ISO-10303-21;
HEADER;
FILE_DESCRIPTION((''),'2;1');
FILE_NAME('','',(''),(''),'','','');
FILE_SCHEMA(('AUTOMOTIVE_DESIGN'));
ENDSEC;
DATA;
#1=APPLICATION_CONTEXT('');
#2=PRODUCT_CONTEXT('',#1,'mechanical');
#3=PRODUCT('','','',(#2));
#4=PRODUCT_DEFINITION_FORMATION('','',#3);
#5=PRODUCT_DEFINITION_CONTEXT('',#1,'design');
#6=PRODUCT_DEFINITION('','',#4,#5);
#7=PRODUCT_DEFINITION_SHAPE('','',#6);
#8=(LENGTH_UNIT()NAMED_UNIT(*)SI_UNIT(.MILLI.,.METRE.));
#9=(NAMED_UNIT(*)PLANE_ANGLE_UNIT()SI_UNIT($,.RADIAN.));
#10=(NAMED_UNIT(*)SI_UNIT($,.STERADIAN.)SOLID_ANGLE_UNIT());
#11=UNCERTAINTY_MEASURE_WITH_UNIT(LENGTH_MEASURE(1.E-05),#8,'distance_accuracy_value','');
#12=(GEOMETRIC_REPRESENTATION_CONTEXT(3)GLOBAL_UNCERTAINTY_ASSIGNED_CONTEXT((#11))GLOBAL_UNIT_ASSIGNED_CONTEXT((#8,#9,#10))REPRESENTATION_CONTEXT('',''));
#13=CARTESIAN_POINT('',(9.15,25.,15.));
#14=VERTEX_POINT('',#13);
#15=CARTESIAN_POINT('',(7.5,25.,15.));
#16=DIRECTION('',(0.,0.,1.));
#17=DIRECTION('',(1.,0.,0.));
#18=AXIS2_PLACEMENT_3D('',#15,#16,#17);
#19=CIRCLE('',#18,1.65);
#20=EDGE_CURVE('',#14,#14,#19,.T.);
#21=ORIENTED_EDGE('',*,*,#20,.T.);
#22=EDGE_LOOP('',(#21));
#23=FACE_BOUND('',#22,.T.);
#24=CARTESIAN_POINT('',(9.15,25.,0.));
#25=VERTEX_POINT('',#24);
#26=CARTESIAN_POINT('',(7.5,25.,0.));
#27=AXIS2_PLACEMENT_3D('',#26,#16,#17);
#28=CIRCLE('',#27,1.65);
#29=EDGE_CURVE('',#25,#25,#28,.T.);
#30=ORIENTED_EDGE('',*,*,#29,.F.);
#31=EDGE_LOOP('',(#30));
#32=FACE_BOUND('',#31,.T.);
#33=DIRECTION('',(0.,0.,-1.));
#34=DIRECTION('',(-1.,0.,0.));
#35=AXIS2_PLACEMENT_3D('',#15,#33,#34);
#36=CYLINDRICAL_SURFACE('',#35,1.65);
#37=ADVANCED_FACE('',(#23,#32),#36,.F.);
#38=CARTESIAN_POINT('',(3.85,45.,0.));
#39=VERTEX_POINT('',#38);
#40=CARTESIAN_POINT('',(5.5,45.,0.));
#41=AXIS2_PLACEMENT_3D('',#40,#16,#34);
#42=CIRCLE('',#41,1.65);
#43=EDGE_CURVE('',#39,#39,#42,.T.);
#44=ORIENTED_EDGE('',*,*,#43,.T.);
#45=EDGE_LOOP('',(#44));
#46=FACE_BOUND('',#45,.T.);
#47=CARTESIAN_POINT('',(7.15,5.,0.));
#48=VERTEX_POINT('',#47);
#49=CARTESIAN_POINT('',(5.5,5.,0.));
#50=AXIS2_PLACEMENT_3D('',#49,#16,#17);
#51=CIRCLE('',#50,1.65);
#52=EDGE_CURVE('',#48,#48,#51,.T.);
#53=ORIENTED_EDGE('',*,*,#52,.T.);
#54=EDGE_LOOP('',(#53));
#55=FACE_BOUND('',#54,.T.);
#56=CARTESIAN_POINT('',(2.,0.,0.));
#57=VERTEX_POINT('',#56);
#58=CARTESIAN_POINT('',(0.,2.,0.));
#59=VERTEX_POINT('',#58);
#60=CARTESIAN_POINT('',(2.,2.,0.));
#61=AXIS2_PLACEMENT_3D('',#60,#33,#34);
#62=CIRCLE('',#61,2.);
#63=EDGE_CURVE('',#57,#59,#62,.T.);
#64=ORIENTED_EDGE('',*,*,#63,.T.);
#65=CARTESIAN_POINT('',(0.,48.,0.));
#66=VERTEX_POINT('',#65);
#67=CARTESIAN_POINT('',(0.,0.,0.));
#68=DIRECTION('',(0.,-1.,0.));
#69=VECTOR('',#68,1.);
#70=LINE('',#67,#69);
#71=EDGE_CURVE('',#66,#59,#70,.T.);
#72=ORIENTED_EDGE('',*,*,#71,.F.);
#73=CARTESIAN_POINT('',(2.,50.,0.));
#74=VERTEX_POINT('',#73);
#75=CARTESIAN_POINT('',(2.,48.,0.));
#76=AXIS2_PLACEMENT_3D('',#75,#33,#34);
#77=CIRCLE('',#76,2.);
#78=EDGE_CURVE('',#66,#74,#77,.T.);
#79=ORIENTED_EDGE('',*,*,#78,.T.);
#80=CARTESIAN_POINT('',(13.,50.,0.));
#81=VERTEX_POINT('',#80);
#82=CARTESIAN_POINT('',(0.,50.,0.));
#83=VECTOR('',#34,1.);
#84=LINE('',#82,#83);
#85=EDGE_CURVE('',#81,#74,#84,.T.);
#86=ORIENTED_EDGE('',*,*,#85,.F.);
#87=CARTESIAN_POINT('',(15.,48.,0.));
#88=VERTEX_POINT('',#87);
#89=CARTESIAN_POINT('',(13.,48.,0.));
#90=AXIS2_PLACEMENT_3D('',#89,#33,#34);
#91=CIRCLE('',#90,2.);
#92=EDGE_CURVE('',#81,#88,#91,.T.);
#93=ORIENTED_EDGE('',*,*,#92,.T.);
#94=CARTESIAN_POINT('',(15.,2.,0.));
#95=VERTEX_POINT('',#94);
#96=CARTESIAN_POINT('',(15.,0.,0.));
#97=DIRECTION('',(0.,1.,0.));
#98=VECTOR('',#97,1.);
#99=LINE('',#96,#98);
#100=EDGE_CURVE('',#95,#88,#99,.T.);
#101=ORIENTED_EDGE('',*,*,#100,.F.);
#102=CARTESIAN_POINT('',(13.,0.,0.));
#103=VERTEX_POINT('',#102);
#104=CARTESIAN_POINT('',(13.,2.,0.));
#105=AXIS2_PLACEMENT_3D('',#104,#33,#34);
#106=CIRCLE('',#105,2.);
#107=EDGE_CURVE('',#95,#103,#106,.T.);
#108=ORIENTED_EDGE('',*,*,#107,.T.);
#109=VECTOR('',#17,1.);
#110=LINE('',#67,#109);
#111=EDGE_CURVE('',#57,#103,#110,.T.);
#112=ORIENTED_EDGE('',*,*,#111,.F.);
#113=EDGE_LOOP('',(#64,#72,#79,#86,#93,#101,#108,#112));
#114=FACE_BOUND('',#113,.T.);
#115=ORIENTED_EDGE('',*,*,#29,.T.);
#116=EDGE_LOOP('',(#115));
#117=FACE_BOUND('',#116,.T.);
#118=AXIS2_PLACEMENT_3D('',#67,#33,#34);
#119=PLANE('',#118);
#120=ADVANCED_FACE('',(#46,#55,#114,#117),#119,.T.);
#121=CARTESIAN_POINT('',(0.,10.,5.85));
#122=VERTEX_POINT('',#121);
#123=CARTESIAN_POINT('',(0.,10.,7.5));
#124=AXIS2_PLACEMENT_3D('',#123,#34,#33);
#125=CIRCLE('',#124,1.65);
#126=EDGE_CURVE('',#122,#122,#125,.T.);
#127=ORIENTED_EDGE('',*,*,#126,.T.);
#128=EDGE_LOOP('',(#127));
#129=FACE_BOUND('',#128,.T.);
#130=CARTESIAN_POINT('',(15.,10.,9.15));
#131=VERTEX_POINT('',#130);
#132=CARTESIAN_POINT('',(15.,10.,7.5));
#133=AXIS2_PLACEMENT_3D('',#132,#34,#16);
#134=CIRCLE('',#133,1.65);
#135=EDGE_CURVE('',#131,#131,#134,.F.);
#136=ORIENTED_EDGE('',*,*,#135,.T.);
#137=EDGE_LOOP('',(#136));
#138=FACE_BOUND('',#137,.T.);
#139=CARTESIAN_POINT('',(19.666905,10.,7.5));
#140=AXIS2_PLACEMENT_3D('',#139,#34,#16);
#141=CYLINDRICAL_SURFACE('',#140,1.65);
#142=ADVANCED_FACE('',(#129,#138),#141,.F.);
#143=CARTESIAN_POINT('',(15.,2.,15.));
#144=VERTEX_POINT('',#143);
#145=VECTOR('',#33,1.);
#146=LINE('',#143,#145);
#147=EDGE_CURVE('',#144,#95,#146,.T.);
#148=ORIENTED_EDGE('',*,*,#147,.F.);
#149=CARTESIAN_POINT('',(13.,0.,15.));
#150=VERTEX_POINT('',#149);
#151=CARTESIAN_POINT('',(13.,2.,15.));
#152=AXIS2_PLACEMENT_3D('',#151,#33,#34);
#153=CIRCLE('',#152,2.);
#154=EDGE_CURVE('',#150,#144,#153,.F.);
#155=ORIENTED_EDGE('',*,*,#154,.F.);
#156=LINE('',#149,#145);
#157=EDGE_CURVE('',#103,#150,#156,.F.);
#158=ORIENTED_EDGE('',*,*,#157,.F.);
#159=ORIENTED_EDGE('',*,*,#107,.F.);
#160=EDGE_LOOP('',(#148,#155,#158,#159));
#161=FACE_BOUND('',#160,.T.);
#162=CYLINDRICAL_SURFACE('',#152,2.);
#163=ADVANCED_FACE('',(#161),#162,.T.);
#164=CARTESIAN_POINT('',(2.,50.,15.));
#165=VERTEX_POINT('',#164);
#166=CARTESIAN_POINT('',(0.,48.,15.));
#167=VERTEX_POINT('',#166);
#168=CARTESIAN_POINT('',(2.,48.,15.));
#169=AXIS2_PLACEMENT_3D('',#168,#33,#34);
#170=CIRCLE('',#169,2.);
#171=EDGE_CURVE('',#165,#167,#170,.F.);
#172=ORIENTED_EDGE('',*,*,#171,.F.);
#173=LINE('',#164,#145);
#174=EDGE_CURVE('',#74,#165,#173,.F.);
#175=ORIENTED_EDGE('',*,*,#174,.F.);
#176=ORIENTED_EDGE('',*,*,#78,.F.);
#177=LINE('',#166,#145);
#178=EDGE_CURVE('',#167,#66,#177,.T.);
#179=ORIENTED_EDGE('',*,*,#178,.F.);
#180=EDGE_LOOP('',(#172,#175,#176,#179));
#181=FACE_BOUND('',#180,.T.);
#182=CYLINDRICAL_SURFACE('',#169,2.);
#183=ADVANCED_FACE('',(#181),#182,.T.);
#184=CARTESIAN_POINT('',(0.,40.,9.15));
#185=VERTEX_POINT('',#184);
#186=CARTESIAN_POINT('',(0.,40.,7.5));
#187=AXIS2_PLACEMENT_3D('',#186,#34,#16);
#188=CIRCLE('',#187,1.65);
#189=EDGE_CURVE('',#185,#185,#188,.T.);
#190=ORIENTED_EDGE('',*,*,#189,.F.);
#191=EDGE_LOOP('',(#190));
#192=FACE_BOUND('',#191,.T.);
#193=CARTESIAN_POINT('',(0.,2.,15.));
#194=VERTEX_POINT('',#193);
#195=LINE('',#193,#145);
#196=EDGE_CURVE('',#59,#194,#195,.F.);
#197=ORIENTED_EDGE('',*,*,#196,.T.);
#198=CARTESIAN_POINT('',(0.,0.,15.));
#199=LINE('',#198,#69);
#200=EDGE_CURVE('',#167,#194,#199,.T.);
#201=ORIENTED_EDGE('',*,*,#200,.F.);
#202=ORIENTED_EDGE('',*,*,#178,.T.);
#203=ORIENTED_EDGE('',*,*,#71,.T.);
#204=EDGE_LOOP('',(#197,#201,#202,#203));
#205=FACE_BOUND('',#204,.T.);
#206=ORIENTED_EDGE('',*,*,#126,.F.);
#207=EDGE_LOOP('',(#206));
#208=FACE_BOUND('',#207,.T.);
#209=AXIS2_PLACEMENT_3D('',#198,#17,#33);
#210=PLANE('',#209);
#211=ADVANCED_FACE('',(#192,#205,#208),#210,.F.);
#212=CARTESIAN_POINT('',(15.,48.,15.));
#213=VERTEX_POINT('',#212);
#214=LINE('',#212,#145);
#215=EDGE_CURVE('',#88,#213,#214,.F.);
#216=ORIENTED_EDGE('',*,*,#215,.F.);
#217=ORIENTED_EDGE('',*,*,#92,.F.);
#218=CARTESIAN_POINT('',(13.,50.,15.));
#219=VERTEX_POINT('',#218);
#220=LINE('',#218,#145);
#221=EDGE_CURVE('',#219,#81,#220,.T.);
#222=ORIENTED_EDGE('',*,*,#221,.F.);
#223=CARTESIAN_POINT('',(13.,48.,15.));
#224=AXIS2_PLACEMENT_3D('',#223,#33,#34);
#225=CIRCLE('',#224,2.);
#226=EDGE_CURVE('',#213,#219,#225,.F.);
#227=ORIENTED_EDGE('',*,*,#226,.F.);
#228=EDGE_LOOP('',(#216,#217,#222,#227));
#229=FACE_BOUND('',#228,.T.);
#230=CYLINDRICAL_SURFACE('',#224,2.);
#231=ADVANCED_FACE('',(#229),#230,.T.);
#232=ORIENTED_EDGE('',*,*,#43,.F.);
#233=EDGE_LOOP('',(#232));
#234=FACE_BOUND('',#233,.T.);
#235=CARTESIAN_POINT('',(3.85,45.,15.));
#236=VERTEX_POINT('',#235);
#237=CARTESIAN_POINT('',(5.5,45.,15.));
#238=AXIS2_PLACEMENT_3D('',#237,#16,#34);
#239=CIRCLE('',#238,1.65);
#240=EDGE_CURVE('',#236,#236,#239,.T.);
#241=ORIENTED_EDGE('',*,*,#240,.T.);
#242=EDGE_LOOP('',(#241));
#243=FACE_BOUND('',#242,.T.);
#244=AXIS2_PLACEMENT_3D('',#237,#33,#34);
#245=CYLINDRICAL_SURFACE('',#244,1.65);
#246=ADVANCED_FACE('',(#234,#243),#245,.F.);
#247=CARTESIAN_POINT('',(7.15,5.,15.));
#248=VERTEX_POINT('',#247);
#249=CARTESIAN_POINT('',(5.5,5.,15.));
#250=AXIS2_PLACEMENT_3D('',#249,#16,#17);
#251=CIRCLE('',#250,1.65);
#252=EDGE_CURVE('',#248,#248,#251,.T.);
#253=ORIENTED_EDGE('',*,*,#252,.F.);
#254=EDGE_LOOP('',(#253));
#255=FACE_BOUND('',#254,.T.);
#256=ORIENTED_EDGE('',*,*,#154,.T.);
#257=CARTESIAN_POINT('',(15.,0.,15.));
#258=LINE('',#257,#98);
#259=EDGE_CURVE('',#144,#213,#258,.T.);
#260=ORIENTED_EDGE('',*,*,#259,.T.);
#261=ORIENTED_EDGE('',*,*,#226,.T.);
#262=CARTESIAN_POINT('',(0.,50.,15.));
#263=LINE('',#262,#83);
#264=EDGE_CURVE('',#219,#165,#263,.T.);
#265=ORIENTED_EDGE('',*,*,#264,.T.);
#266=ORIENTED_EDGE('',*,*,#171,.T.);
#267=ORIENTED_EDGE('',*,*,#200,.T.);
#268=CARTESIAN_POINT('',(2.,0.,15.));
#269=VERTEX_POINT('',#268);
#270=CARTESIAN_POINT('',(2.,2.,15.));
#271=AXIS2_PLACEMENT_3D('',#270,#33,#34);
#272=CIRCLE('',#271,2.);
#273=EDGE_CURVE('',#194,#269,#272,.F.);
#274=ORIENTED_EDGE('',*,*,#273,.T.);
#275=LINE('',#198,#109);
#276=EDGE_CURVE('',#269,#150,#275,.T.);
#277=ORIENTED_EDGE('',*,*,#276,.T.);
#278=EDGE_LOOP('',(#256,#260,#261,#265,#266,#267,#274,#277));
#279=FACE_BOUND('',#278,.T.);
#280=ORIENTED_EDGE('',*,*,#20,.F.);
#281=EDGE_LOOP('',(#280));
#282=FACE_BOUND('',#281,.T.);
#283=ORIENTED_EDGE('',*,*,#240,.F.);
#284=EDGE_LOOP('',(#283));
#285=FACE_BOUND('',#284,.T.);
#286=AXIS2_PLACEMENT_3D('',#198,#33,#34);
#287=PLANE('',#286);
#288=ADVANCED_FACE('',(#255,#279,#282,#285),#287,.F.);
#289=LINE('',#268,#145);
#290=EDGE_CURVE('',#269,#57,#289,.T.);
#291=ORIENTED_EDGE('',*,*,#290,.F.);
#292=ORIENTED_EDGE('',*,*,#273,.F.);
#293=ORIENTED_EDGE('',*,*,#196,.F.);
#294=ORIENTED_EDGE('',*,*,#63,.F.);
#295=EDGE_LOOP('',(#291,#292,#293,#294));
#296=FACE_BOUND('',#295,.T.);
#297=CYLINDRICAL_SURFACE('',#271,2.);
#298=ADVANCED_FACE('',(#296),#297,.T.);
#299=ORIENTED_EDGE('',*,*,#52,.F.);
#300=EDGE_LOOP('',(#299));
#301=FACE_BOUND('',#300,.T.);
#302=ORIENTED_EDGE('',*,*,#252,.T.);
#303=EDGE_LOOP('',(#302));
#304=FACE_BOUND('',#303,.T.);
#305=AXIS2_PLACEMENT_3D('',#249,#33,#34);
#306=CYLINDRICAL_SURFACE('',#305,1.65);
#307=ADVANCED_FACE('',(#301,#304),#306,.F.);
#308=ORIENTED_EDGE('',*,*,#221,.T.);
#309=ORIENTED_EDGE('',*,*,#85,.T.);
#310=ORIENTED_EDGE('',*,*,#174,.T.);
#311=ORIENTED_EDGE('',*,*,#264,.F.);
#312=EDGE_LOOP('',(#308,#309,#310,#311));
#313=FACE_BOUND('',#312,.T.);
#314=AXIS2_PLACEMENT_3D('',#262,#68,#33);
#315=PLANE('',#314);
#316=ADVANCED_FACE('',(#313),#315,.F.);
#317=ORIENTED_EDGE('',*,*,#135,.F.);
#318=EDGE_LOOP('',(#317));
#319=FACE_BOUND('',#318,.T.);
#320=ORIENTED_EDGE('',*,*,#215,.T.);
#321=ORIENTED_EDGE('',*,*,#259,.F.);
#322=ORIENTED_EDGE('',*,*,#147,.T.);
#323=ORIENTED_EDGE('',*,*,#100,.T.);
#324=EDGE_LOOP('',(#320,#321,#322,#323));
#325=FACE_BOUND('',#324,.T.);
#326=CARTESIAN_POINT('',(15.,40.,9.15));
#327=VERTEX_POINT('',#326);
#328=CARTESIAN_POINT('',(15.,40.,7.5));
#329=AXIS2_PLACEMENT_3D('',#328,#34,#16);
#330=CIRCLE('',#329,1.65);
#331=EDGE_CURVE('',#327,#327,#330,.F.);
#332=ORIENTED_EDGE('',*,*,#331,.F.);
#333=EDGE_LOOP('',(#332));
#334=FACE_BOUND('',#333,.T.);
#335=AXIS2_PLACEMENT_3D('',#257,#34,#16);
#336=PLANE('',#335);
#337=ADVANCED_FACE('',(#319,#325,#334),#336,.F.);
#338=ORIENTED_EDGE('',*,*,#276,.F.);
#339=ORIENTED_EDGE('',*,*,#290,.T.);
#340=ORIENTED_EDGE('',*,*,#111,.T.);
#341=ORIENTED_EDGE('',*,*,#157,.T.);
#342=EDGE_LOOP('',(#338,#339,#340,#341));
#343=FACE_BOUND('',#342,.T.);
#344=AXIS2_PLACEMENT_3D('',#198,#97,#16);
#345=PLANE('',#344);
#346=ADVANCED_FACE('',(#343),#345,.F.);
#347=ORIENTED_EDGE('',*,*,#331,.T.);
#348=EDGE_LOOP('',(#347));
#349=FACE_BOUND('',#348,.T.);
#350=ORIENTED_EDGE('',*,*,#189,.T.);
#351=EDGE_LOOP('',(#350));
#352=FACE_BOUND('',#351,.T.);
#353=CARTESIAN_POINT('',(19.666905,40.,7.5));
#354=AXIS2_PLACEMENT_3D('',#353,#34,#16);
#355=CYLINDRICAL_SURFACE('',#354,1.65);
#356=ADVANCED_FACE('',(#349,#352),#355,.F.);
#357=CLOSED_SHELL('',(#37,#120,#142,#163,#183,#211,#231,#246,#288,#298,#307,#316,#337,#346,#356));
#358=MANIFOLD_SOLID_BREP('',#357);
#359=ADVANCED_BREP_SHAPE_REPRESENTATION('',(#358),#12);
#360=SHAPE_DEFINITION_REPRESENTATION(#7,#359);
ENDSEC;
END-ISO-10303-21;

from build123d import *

# Parameters (mm, degrees)
SKETCH_1_W          = 15
SKETCH_1_H          = 50
SKETCH_1_R          = 1.65
EXTRUDE_1_DEPTH     = 15
SKETCH_2_R          = 1.65
CUT_EXTRUDE_1_DEPTH = 15
FILLET_1_R          = 2


with BuildPart() as part:
    # ｽｹｯﾁ1 → ﾎﾞｽ - 押し出し1 (new body)
    with BuildSketch(Plane.XY):
        with Locations((7.5, 25)):
            Rectangle(SKETCH_1_W, SKETCH_1_H)
        with Locations((5.5, 5)):
            Circle(SKETCH_1_R, mode=Mode.SUBTRACT)
        with Locations(Location((5.5, 45, 0), (0, 0, 180))):
            Circle(SKETCH_1_R, mode=Mode.SUBTRACT)
        with Locations((7.5, 25)):
            Circle(SKETCH_1_R, mode=Mode.SUBTRACT)
    extrude(amount=EXTRUDE_1_DEPTH)

    # ｽｹｯﾁ2 → ｶｯﾄ - 押し出し1 (cut)
    with BuildSketch(Plane.ZY):
        with Locations((7.5, 40)):
            Circle(SKETCH_2_R)
        with Locations((7.5, 10)):
            Circle(SKETCH_2_R)
    extrude(amount=-CUT_EXTRUDE_1_DEPTH, mode=Mode.SUBTRACT)

    # ﾌｨﾚｯﾄ1
    fillet_1_edges = [part.edges().sort_by_distance(p)[0] for p in [
        (0, 50, 7.5),
        (15, 50, 7.5),
        (15, 0, 7.5),
        (0, 0, 7.5),
    ]]
    fillet(fillet_1_edges, radius=FILLET_1_R)


solid = part.part
